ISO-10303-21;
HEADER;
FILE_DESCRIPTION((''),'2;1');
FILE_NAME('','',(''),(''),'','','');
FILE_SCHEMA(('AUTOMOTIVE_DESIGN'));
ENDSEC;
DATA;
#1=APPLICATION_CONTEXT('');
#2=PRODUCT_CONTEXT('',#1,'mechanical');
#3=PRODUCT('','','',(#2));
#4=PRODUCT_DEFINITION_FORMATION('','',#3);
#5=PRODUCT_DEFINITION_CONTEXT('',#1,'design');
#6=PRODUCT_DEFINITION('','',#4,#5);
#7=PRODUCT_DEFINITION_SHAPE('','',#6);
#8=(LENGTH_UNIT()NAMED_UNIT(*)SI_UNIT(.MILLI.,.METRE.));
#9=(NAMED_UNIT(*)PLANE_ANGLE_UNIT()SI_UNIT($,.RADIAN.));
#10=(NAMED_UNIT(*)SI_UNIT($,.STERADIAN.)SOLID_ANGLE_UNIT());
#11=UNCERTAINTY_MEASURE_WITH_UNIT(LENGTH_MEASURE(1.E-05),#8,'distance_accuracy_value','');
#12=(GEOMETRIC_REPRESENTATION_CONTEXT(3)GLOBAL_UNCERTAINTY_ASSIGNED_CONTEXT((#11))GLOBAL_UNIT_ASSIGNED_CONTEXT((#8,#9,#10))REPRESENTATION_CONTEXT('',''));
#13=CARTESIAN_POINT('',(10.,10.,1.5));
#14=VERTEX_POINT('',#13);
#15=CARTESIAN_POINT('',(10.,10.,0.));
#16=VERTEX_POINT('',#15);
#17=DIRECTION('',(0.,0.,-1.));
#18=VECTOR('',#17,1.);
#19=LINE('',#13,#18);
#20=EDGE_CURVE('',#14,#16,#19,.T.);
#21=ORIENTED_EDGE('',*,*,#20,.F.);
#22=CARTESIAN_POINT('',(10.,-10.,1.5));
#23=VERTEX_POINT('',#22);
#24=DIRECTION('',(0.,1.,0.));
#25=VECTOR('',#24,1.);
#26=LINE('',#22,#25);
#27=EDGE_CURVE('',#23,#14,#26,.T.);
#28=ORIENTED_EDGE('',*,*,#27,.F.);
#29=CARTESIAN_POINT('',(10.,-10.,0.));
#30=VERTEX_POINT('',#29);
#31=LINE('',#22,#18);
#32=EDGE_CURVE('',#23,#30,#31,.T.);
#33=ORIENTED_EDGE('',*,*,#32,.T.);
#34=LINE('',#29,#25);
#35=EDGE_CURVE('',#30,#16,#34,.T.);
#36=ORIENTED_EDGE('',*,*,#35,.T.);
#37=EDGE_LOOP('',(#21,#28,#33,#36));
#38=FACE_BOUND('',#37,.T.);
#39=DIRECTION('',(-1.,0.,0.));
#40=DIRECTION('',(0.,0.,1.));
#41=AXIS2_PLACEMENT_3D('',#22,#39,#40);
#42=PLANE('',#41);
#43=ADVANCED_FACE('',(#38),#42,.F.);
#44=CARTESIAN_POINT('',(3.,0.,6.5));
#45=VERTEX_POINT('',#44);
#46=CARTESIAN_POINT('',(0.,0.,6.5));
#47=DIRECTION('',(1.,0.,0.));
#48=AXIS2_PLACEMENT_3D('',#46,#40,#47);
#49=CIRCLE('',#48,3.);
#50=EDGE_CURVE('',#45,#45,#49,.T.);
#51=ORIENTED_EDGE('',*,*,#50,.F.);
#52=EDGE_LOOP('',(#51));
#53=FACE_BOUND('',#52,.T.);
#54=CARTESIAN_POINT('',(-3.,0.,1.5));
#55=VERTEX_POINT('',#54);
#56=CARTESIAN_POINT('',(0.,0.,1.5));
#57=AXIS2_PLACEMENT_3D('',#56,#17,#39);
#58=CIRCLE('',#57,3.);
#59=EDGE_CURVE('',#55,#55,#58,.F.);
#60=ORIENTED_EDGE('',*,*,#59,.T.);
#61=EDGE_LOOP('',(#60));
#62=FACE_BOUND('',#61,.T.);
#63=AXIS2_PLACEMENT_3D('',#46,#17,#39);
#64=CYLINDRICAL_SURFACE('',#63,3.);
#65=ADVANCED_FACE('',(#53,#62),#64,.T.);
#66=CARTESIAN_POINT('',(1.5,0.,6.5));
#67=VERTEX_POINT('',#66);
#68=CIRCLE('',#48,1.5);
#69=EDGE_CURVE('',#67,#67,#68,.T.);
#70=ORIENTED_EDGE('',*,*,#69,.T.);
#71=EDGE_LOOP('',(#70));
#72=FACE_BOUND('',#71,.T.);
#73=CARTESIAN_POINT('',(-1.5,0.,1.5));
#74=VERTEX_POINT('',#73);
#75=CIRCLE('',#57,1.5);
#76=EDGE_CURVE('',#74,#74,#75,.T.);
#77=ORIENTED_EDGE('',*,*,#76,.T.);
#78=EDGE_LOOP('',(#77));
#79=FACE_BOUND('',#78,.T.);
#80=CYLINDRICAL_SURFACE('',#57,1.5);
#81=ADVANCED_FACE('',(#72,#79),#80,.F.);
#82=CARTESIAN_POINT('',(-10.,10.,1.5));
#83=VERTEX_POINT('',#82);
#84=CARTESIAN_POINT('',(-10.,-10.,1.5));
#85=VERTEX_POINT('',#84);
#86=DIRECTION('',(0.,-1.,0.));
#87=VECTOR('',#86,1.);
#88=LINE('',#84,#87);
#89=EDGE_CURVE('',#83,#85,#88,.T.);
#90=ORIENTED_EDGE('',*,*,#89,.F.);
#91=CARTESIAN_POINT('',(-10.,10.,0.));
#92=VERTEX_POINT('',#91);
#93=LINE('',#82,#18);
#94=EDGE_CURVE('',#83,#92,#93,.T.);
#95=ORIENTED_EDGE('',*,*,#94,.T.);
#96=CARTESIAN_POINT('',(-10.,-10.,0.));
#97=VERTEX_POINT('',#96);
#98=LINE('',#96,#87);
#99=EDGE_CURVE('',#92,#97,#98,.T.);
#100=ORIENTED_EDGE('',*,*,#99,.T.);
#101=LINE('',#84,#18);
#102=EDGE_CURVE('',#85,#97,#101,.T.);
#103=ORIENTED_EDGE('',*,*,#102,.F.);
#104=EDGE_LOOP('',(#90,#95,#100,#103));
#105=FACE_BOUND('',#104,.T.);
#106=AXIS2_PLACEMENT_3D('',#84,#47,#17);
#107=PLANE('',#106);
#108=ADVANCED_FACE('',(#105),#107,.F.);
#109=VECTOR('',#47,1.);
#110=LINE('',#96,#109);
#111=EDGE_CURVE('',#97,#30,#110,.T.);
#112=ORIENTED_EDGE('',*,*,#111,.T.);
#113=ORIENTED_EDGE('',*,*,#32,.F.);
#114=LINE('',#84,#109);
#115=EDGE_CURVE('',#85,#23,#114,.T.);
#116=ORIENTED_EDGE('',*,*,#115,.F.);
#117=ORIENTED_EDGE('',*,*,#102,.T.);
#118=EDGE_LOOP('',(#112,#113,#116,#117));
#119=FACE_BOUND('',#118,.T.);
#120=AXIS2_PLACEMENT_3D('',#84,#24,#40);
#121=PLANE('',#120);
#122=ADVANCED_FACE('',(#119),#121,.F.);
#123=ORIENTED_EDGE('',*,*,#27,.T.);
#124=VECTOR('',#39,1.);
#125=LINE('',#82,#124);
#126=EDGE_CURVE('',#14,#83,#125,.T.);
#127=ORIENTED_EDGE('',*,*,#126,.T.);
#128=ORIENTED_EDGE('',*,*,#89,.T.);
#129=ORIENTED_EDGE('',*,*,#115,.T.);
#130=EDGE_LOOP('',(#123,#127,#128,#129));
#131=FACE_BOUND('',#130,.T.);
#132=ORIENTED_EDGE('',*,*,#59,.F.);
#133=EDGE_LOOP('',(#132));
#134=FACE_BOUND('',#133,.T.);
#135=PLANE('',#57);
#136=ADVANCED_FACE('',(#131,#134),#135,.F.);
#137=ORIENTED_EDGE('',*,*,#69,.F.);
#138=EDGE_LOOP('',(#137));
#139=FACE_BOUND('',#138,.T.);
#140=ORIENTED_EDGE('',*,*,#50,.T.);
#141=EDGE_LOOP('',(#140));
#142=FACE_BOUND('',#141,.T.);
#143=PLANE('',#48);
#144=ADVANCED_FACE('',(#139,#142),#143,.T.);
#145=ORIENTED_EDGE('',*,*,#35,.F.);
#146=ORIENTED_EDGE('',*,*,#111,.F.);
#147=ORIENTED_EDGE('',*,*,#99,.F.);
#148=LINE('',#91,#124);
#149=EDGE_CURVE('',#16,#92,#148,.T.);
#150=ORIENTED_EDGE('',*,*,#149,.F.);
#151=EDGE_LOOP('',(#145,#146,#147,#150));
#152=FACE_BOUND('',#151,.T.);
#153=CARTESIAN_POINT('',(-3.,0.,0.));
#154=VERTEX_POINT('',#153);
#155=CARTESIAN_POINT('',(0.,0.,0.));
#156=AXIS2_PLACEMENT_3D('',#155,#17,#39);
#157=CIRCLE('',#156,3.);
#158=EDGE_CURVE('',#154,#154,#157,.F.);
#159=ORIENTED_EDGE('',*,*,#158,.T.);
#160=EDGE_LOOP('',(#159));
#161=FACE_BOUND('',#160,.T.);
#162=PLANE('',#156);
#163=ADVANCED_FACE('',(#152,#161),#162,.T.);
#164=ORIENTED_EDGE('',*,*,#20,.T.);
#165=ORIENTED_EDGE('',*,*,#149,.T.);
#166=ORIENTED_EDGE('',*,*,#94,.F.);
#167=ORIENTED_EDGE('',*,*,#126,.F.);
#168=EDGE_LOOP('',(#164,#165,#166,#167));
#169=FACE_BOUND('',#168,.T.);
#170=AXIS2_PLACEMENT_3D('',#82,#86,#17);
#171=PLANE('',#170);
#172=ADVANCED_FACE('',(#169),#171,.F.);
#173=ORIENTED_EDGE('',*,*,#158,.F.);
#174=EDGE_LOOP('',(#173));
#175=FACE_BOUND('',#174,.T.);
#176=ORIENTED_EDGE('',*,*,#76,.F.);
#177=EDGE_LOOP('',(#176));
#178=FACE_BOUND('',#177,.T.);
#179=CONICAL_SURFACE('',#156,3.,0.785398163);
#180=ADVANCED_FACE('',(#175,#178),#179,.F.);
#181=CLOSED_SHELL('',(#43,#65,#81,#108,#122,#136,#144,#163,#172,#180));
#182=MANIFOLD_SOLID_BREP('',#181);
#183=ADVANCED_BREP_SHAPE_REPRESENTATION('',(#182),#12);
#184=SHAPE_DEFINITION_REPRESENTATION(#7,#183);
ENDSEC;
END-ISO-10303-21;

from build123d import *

# Parameters (mm, degrees)
SKETCH_2_W        = 20
SKETCH_2_H        = 20
SKETCH_2_R        = 1.5
EXTRUDE_433_DEPTH = 1.5
SKETCH_3_R        = 3
SKETCH_3_R_2      = 1.5
EXTRUDE_659_DEPTH = 5
CHAMFER_1_SIZE    = 1.5


with BuildPart() as part:
    # Эскиз2 → Extrude 433 (new body)
    with BuildSketch(Plane.XY):
        Rectangle(SKETCH_2_W, SKETCH_2_H)
        Circle(SKETCH_2_R, mode=Mode.SUBTRACT)
    extrude(amount=EXTRUDE_433_DEPTH)

    # Эскиз3 → Extrude 659 (add)
    with BuildSketch(Plane.XY.offset(1.5)):
        with Locations(Location((0, 0, 0), (0, 0, 180))):
            Circle(SKETCH_3_R)
        Circle(SKETCH_3_R_2, mode=Mode.SUBTRACT)
    extrude(amount=EXTRUDE_659_DEPTH)

    # Фаска1
    chamfer_1_edges = [part.edges().sort_by_distance(p)[0] for p in [
        (-1.5, 0, 0),
    ]]
    chamfer(chamfer_1_edges, length=CHAMFER_1_SIZE)


solid = part.part
